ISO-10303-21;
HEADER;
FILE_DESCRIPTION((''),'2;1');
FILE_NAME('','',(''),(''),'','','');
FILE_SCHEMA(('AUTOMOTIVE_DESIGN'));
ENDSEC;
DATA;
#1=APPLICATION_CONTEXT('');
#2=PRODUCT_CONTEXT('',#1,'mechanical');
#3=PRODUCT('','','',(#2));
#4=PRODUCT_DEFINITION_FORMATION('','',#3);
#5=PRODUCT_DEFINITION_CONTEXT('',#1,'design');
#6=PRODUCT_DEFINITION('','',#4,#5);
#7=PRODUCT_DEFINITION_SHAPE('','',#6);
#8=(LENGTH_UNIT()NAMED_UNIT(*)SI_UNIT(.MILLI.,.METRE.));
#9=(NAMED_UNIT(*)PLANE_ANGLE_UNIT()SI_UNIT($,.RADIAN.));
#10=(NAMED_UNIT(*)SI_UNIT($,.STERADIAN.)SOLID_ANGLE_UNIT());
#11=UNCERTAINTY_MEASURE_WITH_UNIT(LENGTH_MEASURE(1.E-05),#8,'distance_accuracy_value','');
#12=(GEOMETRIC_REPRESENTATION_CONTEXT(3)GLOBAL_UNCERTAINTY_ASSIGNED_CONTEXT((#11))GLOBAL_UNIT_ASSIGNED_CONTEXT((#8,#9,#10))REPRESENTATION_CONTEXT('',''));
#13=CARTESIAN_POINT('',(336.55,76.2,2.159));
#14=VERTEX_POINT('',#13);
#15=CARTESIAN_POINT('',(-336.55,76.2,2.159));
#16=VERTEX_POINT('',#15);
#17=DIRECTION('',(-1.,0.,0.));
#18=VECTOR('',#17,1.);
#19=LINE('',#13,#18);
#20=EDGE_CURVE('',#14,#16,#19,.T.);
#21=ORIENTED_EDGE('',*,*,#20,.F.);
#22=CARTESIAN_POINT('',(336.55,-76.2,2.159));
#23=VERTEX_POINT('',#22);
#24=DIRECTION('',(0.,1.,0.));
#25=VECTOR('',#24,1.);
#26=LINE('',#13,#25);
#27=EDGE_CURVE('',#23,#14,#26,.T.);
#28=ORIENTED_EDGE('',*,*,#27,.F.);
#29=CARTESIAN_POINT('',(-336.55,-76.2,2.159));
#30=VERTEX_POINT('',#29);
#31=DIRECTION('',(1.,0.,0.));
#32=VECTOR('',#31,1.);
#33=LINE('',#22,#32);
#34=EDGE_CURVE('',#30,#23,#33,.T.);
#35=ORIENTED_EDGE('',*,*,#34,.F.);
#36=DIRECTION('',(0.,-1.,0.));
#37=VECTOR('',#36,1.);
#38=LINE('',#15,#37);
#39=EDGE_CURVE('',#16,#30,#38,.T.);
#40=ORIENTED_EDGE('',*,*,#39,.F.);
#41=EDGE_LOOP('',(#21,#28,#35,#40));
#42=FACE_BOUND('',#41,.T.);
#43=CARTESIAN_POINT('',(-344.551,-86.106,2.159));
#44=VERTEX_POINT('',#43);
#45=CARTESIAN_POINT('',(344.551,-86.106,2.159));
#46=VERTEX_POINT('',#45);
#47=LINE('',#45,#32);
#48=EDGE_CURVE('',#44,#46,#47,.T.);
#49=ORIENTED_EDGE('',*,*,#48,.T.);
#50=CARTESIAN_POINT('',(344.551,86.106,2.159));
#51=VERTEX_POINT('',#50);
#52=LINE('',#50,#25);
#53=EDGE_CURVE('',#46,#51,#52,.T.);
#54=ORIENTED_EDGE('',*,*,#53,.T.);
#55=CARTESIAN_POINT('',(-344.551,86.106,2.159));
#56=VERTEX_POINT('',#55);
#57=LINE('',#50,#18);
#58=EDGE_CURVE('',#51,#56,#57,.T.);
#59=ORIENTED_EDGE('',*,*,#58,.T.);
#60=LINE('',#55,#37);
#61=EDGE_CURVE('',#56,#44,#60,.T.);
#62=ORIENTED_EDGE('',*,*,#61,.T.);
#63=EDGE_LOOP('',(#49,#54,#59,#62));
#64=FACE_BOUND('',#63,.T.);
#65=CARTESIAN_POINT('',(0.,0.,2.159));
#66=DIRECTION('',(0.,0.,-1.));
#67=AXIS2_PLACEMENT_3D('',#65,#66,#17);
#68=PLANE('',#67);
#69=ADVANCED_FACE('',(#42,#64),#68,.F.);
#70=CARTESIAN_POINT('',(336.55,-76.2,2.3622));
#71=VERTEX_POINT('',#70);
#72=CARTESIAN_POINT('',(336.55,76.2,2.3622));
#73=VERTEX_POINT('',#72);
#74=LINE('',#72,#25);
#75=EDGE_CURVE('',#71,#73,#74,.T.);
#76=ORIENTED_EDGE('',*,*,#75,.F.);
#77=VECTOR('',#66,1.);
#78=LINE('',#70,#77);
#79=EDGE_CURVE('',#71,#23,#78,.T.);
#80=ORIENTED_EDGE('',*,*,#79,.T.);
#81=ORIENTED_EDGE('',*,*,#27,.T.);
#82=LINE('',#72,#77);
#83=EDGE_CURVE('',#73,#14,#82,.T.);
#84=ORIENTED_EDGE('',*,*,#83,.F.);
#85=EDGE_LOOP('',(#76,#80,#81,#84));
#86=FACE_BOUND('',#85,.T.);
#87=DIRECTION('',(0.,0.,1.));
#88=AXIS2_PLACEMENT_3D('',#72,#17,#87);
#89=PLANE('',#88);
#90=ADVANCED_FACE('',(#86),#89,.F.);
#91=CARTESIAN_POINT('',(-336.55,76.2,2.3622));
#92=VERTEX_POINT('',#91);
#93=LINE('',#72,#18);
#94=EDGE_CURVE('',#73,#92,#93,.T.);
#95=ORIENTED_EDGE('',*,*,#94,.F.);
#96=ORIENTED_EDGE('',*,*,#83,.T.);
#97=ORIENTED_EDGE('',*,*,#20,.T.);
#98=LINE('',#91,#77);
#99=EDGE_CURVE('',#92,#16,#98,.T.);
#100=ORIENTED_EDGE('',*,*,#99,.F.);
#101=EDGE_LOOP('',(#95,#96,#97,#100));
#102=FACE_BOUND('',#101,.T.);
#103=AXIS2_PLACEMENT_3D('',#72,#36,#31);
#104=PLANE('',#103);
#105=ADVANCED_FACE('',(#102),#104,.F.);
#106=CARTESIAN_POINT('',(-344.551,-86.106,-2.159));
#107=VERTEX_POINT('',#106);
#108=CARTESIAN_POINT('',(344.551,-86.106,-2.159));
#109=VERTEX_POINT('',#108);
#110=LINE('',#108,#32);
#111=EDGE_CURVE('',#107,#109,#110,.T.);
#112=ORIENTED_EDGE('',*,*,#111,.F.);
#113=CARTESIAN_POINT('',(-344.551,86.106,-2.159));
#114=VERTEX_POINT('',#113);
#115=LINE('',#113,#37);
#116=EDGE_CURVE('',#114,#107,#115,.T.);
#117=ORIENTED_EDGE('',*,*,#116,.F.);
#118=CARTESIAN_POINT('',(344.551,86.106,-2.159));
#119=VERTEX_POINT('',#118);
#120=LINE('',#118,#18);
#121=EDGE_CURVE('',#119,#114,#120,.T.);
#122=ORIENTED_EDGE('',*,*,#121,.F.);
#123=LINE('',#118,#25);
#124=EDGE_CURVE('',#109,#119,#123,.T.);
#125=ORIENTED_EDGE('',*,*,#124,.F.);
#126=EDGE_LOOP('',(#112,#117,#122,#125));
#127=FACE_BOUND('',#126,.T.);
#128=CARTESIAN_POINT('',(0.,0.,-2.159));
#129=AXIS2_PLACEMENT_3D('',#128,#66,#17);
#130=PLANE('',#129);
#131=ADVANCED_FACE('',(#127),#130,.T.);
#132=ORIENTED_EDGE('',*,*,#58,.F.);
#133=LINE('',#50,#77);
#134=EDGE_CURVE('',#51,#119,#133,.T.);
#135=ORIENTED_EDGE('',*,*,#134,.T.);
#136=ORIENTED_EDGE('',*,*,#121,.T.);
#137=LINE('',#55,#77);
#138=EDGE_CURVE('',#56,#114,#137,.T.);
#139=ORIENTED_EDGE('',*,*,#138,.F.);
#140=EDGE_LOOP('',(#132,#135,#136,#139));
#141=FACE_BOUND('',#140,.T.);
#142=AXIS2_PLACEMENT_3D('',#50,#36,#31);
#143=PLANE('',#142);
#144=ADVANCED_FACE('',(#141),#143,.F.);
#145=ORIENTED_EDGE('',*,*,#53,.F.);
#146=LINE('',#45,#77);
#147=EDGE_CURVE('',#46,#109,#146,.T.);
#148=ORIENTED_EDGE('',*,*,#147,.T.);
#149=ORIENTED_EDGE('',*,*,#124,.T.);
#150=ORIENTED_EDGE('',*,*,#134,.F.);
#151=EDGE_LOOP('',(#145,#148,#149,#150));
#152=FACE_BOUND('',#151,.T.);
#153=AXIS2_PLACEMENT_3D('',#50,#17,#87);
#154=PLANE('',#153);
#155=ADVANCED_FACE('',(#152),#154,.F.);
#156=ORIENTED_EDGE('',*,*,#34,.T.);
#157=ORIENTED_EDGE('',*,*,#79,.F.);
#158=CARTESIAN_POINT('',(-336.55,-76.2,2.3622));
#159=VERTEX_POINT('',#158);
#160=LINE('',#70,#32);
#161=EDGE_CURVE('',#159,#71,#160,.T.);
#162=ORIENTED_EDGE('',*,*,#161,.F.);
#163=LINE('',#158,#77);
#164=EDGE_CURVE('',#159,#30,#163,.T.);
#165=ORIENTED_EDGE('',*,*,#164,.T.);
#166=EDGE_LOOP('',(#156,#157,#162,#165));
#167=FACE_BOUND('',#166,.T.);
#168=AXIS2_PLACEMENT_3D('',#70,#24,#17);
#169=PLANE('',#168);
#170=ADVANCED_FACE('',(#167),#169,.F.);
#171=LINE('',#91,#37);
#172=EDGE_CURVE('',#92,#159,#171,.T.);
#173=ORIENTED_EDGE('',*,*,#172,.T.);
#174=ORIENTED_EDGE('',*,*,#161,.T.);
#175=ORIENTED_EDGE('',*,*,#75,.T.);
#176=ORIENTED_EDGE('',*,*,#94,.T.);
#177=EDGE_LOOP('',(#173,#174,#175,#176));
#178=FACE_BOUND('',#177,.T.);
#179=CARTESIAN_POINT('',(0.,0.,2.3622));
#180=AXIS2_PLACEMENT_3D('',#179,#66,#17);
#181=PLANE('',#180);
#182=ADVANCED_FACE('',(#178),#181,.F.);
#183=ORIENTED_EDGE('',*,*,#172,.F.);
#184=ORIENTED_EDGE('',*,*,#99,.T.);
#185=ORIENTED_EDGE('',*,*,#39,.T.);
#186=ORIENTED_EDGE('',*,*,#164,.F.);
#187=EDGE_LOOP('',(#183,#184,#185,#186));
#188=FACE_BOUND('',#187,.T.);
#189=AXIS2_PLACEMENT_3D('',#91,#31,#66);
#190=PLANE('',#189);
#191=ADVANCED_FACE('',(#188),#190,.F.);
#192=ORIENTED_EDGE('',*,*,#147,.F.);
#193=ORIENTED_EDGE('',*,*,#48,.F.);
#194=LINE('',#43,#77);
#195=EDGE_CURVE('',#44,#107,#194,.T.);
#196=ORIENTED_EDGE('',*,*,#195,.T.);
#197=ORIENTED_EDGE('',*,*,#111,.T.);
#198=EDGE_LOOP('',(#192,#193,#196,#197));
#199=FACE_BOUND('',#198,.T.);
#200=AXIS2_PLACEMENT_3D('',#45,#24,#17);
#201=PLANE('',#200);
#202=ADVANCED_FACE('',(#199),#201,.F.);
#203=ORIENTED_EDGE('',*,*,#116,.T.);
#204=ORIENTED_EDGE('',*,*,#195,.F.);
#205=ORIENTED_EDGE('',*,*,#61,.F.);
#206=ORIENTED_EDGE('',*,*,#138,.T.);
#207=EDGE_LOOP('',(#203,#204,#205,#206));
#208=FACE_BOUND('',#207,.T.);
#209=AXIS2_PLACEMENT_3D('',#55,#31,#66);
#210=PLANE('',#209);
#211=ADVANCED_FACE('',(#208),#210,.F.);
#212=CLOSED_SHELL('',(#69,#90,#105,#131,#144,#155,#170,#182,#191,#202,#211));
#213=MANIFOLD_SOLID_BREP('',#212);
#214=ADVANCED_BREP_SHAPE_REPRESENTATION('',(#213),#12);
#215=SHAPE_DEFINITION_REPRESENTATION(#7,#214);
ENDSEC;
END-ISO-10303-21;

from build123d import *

# Parameters (mm, degrees)
SKETCH1_W           = 689.102
SKETCH1_H           = 172.212
BOSS_EXTRUDE1_DEPTH = 2.159
SKETCH2_W           = 673.1
SKETCH2_H           = 152.4
BOSS_EXTRUDE2_DEPTH = 0.2032


with BuildPart() as part:
    # Sketch1 → Boss-Extrude1 (new body, symmetric)
    with BuildSketch(Plane.XY):
        Rectangle(SKETCH1_W, SKETCH1_H)
    extrude(amount=BOSS_EXTRUDE1_DEPTH, both=True)

    # Sketch2 → Boss-Extrude2 (add)
    with BuildSketch(Plane.XY.offset(2.159)):
        Rectangle(SKETCH2_W, SKETCH2_H)
    extrude(amount=BOSS_EXTRUDE2_DEPTH)


solid = part.part
